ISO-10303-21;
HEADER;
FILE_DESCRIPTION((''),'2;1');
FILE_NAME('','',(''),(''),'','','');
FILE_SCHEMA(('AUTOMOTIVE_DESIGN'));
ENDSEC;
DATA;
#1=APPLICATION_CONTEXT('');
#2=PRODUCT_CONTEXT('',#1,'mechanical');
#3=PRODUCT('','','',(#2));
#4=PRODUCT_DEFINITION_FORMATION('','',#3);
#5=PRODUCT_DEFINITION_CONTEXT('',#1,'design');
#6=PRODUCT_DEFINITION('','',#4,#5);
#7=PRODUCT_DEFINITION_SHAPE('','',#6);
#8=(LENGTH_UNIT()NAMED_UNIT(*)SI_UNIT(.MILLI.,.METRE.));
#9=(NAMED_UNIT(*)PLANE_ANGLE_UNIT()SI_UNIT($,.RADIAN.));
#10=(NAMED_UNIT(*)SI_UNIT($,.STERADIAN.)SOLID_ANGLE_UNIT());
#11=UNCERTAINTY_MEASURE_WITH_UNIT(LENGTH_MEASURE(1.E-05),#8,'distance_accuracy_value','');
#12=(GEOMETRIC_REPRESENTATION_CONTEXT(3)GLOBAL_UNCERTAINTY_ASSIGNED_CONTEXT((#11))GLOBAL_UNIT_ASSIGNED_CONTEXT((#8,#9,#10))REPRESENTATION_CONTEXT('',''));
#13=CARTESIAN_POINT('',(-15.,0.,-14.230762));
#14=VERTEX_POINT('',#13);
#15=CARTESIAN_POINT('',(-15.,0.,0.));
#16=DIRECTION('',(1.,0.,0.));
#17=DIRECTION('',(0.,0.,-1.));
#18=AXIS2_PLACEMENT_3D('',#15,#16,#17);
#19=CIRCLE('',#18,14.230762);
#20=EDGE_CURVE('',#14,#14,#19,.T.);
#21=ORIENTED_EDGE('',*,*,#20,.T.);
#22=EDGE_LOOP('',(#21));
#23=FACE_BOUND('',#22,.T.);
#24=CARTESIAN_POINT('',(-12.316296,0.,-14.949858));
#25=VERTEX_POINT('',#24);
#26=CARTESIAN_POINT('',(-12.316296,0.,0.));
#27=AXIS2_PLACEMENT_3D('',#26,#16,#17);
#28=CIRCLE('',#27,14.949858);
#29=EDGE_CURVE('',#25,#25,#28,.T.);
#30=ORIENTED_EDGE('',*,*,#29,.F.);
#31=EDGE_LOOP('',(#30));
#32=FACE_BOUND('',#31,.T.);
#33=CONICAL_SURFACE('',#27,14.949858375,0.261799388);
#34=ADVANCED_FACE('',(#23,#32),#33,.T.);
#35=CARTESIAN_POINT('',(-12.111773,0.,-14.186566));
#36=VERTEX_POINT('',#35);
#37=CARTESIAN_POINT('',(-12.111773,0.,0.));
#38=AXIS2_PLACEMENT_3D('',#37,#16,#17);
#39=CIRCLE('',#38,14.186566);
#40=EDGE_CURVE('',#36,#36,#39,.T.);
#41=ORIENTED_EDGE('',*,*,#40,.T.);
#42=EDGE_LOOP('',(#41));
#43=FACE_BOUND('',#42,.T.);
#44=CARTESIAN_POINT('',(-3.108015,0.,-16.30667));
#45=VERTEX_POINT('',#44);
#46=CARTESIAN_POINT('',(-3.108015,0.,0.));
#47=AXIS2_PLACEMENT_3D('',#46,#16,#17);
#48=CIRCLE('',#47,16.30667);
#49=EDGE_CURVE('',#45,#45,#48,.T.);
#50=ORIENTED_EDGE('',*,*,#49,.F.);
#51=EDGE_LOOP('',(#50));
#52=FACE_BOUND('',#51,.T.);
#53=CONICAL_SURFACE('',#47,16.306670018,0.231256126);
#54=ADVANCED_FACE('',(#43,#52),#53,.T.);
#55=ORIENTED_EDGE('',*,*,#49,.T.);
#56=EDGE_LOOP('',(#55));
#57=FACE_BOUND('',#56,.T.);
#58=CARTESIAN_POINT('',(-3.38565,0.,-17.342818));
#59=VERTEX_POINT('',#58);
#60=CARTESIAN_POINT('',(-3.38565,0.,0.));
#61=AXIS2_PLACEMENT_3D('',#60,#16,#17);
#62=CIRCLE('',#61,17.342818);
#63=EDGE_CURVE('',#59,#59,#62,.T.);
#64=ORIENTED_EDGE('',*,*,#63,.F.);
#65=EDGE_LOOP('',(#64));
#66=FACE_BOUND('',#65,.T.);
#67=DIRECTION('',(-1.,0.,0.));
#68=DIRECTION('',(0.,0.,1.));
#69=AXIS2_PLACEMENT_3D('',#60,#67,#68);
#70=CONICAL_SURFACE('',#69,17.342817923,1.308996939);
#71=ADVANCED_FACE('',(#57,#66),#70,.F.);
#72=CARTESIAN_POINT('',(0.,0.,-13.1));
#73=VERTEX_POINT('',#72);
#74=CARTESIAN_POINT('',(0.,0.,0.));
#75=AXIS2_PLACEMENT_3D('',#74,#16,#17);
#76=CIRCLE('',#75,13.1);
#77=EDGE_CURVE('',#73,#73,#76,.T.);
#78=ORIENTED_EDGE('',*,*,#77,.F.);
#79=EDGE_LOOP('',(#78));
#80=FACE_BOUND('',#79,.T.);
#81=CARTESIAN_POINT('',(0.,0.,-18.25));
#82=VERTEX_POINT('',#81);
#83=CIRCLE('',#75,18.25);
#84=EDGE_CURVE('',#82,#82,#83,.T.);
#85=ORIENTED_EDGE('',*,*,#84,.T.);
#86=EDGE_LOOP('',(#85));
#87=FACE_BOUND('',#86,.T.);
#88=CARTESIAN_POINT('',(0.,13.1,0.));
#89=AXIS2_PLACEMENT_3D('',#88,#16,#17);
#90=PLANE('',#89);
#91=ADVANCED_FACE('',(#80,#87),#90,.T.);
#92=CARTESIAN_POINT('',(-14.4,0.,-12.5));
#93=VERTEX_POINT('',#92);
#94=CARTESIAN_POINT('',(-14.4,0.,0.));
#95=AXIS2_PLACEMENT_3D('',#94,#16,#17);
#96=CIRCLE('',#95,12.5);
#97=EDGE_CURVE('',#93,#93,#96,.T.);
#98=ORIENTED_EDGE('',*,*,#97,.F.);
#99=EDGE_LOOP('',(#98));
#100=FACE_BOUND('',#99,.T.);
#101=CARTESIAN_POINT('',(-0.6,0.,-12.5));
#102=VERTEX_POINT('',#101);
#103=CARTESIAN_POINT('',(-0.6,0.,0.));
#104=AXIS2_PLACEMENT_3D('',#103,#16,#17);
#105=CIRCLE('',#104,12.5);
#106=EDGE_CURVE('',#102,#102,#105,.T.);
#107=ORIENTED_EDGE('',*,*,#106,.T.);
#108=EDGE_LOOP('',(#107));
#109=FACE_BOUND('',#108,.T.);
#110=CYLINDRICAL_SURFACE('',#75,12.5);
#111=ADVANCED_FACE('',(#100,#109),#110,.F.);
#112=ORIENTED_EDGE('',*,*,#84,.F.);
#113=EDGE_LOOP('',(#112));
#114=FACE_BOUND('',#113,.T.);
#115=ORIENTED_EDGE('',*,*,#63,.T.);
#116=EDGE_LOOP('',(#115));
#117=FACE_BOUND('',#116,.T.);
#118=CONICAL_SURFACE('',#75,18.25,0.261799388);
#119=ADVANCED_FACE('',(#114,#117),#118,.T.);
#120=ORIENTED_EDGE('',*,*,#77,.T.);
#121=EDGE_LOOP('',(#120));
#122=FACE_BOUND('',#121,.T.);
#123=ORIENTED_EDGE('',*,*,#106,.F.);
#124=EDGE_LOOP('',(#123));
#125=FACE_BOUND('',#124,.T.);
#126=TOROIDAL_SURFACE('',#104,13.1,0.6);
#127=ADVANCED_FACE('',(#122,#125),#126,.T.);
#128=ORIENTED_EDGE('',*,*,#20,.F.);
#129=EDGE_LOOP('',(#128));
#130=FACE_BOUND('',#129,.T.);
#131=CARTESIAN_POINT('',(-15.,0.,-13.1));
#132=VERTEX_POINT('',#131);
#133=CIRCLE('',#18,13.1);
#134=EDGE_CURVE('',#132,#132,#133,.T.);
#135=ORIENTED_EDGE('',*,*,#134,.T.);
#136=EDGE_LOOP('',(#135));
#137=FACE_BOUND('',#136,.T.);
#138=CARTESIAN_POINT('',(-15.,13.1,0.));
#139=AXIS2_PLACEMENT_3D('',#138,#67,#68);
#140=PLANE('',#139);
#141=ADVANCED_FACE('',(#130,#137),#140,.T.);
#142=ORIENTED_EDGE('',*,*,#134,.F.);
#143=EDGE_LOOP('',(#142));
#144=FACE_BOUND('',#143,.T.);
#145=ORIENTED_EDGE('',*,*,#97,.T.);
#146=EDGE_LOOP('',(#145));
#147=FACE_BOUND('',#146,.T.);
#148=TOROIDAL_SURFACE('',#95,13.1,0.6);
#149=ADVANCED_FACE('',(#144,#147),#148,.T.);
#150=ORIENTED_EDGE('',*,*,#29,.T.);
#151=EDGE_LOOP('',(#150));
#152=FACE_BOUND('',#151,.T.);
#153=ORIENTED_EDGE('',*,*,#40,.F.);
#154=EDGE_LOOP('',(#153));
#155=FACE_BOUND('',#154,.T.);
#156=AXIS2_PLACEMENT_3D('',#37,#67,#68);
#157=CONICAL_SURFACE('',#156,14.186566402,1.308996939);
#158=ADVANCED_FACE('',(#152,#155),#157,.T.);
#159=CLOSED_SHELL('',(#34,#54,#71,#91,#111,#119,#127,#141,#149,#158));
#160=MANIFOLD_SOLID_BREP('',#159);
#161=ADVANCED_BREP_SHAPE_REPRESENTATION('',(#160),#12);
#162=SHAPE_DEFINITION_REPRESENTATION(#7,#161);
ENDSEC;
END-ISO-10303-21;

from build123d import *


with BuildPart() as part:
    # Esquisse1 → Base-Révolution (revolve)
    with BuildSketch(Plane.XY, mode=Mode.PRIVATE) as base_r_volution_sk:
        with BuildLine():
            Line((0, 13.1), (0, 18.25))
            Line((0, 18.25), (-3.385649604, 17.342817923))
            Line((-3.385649604, 17.342817923), (-3.108014609, 16.306670018))
            Line((-3.108014609, 16.306670018), (-12.11177275, 14.186566402))
            Line((-12.11177275, 14.186566402), (-12.316296218, 14.949858375))
            Line((-12.316296218, 14.949858375), (-15, 14.230762114))
            Line((-15, 14.230762114), (-15, 13.1))
            ThreePointArc((-15, 13.1), (-14.824264069, 12.675735931), (-14.4, 12.5))
            Line((-14.4, 12.5), (-0.6, 12.5))
            ThreePointArc((-0.6, 12.5), (-0.175735931, 12.675735931), (0, 13.1))
        make_face()
    revolve(base_r_volution_sk.sketch.rotate(Axis((0, 0, 0), (-1, 0, 0)), 90), axis=Axis((0, 0, 0), (-1, 0, 0)))


solid = part.part
